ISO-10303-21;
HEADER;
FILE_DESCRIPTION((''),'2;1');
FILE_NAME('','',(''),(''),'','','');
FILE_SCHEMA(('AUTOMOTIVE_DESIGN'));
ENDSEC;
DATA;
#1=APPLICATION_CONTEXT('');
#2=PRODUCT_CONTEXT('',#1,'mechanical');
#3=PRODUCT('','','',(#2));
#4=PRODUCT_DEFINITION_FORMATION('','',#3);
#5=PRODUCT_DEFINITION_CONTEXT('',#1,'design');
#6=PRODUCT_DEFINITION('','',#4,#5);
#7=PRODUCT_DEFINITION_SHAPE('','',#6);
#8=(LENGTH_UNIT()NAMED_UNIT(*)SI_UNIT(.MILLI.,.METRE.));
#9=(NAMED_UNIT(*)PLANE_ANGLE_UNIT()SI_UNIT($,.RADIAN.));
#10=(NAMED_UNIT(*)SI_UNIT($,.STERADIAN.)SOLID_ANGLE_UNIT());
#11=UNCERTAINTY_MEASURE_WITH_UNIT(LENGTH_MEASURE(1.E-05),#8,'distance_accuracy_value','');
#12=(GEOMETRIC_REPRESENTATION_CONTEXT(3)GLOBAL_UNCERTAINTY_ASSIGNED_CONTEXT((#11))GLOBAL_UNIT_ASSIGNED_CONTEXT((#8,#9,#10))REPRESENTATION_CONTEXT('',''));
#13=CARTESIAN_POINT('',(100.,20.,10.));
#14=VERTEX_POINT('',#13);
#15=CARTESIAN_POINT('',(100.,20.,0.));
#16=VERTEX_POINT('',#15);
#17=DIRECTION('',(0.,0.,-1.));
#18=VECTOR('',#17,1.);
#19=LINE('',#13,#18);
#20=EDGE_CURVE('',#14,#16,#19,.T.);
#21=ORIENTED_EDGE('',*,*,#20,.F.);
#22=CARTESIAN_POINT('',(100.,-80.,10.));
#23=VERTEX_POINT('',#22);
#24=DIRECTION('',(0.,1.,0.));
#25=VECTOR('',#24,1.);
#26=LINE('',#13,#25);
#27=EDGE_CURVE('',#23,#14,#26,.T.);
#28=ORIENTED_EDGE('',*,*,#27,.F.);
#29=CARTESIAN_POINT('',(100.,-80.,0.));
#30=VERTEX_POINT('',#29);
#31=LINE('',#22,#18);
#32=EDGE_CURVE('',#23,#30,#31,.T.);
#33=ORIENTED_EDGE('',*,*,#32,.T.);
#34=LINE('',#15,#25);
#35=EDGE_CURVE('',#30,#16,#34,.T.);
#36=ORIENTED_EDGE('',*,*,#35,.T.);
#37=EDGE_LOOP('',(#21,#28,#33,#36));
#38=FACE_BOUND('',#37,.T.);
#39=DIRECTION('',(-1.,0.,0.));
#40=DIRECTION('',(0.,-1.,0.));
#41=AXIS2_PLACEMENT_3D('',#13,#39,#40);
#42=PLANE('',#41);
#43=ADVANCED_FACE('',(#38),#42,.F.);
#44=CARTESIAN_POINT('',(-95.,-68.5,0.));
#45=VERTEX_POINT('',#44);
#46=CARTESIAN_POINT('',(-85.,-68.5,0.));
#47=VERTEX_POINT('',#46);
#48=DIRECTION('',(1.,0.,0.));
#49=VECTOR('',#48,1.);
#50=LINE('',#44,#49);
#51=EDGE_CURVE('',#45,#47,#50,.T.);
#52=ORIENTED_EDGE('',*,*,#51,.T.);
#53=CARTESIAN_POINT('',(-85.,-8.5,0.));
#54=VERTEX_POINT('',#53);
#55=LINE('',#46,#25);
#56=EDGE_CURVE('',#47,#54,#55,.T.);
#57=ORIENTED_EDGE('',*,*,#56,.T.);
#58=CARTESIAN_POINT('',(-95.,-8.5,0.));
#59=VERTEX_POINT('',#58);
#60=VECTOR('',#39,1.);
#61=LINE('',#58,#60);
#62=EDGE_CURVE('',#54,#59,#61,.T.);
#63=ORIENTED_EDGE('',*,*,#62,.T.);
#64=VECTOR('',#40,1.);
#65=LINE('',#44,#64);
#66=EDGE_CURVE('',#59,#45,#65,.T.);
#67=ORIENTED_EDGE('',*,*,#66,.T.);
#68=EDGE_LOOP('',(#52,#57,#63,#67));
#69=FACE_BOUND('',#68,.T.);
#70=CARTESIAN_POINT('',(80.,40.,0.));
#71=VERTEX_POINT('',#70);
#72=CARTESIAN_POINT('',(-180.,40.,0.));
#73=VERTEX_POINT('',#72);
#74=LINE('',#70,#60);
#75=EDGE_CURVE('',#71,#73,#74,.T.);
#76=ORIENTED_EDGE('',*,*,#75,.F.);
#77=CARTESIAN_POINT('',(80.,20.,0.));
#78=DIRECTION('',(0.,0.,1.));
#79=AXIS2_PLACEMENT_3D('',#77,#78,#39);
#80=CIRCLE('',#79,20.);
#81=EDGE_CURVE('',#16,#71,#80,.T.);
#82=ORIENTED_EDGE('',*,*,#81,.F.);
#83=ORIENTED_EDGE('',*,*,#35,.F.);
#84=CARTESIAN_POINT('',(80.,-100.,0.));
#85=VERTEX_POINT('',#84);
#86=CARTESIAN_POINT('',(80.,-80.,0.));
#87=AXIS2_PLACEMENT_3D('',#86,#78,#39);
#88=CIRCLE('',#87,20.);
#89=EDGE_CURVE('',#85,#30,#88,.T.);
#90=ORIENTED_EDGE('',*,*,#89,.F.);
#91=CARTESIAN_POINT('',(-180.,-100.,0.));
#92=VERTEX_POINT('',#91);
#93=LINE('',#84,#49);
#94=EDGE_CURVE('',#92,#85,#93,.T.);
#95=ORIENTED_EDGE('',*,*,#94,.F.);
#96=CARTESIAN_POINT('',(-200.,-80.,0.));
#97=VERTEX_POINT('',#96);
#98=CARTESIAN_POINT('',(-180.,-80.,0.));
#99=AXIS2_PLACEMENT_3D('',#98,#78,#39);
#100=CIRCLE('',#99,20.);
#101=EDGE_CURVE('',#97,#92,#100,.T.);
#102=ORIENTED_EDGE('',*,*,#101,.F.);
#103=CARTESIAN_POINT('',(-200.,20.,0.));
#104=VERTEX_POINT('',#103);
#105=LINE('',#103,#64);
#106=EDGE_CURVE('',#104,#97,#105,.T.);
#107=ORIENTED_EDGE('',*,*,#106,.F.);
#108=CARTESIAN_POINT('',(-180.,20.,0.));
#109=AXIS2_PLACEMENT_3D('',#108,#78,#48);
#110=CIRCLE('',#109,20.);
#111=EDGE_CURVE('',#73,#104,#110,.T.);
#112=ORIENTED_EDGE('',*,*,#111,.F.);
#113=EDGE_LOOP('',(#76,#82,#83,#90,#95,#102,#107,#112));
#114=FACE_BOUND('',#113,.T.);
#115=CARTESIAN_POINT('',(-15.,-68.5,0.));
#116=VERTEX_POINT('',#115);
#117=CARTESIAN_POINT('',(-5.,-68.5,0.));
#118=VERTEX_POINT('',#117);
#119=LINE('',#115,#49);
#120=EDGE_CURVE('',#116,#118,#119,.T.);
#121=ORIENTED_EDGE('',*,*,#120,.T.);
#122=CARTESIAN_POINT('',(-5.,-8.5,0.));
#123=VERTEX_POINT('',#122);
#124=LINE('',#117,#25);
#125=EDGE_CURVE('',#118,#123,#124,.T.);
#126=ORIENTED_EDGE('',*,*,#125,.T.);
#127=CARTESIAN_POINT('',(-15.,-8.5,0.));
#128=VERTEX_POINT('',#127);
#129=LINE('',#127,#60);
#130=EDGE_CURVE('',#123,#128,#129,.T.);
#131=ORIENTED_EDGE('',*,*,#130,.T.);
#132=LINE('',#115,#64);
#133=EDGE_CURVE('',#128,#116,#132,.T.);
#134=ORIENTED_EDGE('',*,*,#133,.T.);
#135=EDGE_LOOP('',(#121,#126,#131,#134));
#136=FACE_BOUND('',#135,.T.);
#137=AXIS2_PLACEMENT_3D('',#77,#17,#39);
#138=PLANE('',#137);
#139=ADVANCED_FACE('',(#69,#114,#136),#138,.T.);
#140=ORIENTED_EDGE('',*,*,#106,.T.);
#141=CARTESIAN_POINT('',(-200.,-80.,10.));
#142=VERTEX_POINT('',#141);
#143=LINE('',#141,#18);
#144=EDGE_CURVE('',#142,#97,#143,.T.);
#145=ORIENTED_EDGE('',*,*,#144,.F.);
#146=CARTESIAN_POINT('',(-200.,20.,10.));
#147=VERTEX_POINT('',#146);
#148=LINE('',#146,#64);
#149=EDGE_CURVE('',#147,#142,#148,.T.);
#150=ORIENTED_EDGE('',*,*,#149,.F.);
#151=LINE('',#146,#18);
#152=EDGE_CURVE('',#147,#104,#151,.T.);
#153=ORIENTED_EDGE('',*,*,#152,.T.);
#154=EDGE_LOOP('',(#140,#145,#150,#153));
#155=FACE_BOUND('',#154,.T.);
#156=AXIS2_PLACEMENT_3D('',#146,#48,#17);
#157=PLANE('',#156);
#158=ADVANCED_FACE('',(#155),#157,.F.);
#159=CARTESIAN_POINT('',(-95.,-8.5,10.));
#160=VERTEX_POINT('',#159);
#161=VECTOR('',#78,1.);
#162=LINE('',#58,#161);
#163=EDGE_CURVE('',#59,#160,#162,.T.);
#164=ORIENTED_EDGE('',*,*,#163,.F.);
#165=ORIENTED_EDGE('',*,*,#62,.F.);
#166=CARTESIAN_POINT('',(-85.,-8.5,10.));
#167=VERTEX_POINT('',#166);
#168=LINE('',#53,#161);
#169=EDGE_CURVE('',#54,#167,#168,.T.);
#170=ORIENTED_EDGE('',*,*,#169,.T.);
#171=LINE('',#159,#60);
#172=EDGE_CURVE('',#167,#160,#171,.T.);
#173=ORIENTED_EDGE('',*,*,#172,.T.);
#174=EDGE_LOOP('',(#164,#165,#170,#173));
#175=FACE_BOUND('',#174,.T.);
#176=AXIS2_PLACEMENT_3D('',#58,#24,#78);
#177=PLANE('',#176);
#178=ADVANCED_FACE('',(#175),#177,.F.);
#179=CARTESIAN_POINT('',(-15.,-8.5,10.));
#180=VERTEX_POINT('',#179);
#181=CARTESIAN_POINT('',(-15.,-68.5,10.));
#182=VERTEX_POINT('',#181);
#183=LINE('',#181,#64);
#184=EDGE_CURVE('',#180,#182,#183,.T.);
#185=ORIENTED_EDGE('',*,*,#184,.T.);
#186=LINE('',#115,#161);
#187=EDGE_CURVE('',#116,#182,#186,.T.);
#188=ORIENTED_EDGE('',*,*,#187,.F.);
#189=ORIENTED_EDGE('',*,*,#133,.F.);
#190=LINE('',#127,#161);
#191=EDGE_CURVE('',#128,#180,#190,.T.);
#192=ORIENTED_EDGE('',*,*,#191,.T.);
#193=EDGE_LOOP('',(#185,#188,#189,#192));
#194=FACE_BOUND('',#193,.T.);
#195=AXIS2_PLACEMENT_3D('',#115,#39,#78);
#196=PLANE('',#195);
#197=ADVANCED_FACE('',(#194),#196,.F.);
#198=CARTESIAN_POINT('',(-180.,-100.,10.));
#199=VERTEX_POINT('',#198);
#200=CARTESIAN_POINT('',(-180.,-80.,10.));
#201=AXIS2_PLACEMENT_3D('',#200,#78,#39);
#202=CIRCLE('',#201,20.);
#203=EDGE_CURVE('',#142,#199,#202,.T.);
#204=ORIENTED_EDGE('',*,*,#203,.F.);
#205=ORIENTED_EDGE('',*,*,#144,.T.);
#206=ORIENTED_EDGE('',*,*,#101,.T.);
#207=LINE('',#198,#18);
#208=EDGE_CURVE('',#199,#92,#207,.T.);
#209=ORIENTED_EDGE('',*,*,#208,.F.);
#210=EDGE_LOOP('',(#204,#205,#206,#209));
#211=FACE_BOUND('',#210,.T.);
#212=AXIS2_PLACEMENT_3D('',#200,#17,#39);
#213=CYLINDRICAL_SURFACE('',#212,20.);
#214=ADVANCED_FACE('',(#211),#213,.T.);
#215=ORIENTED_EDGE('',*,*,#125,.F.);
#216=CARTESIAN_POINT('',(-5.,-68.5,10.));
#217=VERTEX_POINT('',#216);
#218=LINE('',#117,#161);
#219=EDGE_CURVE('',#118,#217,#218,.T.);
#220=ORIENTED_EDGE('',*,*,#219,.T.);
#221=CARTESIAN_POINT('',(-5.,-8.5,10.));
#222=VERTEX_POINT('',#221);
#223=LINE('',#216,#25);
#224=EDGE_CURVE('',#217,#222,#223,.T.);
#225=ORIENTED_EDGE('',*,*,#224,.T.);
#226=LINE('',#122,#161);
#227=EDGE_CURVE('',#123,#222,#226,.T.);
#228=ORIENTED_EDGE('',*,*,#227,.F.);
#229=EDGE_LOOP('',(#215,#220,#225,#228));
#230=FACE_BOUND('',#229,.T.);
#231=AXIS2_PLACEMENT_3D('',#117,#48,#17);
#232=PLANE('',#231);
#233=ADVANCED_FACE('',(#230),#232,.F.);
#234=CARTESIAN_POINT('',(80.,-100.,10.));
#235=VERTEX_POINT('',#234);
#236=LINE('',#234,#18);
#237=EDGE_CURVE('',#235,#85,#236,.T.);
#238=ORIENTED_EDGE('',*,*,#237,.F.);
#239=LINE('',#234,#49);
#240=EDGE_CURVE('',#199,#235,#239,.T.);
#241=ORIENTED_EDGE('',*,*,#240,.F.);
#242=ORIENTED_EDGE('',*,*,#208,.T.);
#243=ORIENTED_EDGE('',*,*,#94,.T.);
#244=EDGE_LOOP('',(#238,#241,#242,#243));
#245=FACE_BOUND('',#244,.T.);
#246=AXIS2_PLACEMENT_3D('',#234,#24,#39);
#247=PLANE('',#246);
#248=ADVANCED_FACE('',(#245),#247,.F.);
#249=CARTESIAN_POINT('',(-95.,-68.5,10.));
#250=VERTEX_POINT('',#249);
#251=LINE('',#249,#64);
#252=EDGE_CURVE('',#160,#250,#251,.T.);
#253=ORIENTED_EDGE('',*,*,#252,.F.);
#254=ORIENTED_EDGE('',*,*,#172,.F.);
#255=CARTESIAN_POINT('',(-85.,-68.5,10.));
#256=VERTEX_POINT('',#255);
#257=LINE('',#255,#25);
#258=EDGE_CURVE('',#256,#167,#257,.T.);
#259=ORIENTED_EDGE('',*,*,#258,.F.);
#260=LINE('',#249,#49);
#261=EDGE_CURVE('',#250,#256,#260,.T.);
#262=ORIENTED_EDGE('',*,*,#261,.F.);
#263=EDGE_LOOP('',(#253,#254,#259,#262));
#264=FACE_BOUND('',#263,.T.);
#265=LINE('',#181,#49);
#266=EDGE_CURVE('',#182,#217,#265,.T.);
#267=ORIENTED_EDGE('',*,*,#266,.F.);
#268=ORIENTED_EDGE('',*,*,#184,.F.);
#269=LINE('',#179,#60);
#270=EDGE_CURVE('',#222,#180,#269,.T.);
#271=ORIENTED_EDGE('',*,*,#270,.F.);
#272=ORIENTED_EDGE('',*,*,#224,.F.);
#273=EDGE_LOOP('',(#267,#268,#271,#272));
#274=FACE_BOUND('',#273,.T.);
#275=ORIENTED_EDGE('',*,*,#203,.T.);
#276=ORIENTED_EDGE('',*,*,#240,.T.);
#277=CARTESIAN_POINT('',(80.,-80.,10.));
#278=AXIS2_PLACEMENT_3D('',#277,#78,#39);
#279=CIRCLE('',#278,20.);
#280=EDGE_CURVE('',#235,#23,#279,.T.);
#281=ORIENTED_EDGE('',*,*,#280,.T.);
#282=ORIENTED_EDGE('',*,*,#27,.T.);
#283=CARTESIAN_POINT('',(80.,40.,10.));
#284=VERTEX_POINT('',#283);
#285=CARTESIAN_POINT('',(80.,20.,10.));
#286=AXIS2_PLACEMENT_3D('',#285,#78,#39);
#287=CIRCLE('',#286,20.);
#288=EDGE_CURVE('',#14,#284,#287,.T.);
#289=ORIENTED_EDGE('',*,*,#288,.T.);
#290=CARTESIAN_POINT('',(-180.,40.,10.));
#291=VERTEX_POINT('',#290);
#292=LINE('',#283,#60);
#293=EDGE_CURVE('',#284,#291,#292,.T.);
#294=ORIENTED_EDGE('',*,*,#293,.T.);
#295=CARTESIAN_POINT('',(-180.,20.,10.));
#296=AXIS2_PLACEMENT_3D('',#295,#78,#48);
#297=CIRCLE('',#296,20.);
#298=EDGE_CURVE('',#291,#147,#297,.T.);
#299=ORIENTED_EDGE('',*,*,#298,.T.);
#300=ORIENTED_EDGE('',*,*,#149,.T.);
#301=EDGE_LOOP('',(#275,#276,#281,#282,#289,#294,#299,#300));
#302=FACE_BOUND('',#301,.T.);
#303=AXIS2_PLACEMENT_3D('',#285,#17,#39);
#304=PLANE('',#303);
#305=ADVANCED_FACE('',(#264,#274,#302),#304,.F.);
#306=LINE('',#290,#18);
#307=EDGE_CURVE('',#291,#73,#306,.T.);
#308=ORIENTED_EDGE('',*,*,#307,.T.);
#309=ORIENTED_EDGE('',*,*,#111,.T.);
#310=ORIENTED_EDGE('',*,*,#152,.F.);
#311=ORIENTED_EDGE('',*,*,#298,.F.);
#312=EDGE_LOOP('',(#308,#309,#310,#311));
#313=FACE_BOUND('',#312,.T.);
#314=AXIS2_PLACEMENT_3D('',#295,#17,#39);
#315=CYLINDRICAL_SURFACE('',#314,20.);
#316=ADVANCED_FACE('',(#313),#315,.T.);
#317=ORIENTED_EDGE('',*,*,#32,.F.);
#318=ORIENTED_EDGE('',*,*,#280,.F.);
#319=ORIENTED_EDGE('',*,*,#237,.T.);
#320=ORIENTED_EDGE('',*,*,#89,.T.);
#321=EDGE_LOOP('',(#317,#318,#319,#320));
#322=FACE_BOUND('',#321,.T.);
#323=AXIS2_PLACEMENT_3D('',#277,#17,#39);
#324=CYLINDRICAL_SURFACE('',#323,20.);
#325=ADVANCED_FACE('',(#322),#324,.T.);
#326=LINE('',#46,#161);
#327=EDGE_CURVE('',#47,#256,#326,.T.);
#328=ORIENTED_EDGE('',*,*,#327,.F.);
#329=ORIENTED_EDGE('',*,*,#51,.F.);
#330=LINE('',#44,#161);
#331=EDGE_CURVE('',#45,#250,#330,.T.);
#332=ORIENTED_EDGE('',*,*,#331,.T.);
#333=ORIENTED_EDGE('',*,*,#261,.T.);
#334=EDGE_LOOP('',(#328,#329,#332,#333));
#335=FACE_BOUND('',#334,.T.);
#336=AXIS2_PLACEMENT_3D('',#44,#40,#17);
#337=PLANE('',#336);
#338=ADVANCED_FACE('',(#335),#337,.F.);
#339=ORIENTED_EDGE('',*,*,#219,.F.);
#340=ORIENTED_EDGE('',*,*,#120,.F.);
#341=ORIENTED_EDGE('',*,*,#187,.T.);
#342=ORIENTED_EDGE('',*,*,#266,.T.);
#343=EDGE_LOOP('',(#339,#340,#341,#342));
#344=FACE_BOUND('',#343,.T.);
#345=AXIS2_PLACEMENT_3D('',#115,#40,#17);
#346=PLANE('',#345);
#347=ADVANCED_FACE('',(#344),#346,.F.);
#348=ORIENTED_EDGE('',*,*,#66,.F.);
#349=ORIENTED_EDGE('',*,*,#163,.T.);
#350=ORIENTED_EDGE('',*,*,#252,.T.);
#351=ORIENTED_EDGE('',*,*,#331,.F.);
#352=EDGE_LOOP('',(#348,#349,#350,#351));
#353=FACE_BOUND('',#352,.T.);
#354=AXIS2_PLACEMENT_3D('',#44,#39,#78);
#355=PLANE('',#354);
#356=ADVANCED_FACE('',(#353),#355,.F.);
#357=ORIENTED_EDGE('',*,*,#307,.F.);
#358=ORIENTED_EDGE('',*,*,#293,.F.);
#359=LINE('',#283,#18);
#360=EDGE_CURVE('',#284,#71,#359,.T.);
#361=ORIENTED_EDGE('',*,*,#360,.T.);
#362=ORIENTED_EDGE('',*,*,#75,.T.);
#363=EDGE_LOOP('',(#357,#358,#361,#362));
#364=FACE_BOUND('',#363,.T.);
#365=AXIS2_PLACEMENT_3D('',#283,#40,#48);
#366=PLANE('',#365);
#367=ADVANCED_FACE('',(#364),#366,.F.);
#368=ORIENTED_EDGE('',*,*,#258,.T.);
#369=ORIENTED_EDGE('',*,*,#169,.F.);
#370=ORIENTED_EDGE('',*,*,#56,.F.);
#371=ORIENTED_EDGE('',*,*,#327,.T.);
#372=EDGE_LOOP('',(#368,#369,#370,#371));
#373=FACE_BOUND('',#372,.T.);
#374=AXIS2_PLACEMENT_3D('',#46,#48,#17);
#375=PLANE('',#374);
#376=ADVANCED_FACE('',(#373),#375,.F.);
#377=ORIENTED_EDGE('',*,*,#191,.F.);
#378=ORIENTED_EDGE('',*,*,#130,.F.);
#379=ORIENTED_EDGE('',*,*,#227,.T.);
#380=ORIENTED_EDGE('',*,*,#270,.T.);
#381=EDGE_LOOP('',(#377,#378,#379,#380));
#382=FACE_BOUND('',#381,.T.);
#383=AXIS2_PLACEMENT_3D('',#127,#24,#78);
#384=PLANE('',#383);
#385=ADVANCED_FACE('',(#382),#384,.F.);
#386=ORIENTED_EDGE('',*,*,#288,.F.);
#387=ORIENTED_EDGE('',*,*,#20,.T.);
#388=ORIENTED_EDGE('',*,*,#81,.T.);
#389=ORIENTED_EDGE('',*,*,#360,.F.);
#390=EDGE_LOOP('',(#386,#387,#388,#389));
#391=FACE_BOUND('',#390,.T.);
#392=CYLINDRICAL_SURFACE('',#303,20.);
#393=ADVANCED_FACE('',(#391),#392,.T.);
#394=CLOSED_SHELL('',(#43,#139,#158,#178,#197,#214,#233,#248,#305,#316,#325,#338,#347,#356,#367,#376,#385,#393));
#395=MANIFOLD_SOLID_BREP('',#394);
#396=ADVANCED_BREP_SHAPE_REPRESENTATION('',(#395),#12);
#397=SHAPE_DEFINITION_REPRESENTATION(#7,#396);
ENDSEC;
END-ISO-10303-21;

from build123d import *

# Parameters (mm, degrees)
BOSS_EXTRUDE1_DEPTH = 10
SKETCH2_W           = 10
SKETCH2_H           = 60
CUT_EXTRUDE1_DEPTH  = 10


with BuildPart() as part:
    # Sketch1 → Boss-Extrude1 (new body)
    with BuildSketch(Plane.XY):
        with BuildLine():
            Line((80, 40), (-180, 40))
            ThreePointArc((-180, 40), (-194.142135624, 34.142135624), (-200, 20))
            Line((-200, 20), (-200, -80))
            ThreePointArc((-200, -80), (-194.142135624, -94.142135624), (-180, -100))
            Line((-180, -100), (80, -100))
            ThreePointArc((80, -100), (94.142135624, -94.142135624), (100, -80))
            Line((100, -80), (100, 20))
            ThreePointArc((100, 20), (94.142135624, 34.142135624), (80, 40))
        make_face()
    extrude(amount=BOSS_EXTRUDE1_DEPTH)

    # Sketch2 → Cut-Extrude1 (cut)
    with BuildSketch(Plane.XY.offset(10)):
        with Locations((-90, -38.5)):
            Rectangle(SKETCH2_W, SKETCH2_H)
        with Locations((-10, -38.5)):
            Rectangle(SKETCH2_W, SKETCH2_H)
    extrude(amount=-CUT_EXTRUDE1_DEPTH, mode=Mode.SUBTRACT)


solid = part.part
